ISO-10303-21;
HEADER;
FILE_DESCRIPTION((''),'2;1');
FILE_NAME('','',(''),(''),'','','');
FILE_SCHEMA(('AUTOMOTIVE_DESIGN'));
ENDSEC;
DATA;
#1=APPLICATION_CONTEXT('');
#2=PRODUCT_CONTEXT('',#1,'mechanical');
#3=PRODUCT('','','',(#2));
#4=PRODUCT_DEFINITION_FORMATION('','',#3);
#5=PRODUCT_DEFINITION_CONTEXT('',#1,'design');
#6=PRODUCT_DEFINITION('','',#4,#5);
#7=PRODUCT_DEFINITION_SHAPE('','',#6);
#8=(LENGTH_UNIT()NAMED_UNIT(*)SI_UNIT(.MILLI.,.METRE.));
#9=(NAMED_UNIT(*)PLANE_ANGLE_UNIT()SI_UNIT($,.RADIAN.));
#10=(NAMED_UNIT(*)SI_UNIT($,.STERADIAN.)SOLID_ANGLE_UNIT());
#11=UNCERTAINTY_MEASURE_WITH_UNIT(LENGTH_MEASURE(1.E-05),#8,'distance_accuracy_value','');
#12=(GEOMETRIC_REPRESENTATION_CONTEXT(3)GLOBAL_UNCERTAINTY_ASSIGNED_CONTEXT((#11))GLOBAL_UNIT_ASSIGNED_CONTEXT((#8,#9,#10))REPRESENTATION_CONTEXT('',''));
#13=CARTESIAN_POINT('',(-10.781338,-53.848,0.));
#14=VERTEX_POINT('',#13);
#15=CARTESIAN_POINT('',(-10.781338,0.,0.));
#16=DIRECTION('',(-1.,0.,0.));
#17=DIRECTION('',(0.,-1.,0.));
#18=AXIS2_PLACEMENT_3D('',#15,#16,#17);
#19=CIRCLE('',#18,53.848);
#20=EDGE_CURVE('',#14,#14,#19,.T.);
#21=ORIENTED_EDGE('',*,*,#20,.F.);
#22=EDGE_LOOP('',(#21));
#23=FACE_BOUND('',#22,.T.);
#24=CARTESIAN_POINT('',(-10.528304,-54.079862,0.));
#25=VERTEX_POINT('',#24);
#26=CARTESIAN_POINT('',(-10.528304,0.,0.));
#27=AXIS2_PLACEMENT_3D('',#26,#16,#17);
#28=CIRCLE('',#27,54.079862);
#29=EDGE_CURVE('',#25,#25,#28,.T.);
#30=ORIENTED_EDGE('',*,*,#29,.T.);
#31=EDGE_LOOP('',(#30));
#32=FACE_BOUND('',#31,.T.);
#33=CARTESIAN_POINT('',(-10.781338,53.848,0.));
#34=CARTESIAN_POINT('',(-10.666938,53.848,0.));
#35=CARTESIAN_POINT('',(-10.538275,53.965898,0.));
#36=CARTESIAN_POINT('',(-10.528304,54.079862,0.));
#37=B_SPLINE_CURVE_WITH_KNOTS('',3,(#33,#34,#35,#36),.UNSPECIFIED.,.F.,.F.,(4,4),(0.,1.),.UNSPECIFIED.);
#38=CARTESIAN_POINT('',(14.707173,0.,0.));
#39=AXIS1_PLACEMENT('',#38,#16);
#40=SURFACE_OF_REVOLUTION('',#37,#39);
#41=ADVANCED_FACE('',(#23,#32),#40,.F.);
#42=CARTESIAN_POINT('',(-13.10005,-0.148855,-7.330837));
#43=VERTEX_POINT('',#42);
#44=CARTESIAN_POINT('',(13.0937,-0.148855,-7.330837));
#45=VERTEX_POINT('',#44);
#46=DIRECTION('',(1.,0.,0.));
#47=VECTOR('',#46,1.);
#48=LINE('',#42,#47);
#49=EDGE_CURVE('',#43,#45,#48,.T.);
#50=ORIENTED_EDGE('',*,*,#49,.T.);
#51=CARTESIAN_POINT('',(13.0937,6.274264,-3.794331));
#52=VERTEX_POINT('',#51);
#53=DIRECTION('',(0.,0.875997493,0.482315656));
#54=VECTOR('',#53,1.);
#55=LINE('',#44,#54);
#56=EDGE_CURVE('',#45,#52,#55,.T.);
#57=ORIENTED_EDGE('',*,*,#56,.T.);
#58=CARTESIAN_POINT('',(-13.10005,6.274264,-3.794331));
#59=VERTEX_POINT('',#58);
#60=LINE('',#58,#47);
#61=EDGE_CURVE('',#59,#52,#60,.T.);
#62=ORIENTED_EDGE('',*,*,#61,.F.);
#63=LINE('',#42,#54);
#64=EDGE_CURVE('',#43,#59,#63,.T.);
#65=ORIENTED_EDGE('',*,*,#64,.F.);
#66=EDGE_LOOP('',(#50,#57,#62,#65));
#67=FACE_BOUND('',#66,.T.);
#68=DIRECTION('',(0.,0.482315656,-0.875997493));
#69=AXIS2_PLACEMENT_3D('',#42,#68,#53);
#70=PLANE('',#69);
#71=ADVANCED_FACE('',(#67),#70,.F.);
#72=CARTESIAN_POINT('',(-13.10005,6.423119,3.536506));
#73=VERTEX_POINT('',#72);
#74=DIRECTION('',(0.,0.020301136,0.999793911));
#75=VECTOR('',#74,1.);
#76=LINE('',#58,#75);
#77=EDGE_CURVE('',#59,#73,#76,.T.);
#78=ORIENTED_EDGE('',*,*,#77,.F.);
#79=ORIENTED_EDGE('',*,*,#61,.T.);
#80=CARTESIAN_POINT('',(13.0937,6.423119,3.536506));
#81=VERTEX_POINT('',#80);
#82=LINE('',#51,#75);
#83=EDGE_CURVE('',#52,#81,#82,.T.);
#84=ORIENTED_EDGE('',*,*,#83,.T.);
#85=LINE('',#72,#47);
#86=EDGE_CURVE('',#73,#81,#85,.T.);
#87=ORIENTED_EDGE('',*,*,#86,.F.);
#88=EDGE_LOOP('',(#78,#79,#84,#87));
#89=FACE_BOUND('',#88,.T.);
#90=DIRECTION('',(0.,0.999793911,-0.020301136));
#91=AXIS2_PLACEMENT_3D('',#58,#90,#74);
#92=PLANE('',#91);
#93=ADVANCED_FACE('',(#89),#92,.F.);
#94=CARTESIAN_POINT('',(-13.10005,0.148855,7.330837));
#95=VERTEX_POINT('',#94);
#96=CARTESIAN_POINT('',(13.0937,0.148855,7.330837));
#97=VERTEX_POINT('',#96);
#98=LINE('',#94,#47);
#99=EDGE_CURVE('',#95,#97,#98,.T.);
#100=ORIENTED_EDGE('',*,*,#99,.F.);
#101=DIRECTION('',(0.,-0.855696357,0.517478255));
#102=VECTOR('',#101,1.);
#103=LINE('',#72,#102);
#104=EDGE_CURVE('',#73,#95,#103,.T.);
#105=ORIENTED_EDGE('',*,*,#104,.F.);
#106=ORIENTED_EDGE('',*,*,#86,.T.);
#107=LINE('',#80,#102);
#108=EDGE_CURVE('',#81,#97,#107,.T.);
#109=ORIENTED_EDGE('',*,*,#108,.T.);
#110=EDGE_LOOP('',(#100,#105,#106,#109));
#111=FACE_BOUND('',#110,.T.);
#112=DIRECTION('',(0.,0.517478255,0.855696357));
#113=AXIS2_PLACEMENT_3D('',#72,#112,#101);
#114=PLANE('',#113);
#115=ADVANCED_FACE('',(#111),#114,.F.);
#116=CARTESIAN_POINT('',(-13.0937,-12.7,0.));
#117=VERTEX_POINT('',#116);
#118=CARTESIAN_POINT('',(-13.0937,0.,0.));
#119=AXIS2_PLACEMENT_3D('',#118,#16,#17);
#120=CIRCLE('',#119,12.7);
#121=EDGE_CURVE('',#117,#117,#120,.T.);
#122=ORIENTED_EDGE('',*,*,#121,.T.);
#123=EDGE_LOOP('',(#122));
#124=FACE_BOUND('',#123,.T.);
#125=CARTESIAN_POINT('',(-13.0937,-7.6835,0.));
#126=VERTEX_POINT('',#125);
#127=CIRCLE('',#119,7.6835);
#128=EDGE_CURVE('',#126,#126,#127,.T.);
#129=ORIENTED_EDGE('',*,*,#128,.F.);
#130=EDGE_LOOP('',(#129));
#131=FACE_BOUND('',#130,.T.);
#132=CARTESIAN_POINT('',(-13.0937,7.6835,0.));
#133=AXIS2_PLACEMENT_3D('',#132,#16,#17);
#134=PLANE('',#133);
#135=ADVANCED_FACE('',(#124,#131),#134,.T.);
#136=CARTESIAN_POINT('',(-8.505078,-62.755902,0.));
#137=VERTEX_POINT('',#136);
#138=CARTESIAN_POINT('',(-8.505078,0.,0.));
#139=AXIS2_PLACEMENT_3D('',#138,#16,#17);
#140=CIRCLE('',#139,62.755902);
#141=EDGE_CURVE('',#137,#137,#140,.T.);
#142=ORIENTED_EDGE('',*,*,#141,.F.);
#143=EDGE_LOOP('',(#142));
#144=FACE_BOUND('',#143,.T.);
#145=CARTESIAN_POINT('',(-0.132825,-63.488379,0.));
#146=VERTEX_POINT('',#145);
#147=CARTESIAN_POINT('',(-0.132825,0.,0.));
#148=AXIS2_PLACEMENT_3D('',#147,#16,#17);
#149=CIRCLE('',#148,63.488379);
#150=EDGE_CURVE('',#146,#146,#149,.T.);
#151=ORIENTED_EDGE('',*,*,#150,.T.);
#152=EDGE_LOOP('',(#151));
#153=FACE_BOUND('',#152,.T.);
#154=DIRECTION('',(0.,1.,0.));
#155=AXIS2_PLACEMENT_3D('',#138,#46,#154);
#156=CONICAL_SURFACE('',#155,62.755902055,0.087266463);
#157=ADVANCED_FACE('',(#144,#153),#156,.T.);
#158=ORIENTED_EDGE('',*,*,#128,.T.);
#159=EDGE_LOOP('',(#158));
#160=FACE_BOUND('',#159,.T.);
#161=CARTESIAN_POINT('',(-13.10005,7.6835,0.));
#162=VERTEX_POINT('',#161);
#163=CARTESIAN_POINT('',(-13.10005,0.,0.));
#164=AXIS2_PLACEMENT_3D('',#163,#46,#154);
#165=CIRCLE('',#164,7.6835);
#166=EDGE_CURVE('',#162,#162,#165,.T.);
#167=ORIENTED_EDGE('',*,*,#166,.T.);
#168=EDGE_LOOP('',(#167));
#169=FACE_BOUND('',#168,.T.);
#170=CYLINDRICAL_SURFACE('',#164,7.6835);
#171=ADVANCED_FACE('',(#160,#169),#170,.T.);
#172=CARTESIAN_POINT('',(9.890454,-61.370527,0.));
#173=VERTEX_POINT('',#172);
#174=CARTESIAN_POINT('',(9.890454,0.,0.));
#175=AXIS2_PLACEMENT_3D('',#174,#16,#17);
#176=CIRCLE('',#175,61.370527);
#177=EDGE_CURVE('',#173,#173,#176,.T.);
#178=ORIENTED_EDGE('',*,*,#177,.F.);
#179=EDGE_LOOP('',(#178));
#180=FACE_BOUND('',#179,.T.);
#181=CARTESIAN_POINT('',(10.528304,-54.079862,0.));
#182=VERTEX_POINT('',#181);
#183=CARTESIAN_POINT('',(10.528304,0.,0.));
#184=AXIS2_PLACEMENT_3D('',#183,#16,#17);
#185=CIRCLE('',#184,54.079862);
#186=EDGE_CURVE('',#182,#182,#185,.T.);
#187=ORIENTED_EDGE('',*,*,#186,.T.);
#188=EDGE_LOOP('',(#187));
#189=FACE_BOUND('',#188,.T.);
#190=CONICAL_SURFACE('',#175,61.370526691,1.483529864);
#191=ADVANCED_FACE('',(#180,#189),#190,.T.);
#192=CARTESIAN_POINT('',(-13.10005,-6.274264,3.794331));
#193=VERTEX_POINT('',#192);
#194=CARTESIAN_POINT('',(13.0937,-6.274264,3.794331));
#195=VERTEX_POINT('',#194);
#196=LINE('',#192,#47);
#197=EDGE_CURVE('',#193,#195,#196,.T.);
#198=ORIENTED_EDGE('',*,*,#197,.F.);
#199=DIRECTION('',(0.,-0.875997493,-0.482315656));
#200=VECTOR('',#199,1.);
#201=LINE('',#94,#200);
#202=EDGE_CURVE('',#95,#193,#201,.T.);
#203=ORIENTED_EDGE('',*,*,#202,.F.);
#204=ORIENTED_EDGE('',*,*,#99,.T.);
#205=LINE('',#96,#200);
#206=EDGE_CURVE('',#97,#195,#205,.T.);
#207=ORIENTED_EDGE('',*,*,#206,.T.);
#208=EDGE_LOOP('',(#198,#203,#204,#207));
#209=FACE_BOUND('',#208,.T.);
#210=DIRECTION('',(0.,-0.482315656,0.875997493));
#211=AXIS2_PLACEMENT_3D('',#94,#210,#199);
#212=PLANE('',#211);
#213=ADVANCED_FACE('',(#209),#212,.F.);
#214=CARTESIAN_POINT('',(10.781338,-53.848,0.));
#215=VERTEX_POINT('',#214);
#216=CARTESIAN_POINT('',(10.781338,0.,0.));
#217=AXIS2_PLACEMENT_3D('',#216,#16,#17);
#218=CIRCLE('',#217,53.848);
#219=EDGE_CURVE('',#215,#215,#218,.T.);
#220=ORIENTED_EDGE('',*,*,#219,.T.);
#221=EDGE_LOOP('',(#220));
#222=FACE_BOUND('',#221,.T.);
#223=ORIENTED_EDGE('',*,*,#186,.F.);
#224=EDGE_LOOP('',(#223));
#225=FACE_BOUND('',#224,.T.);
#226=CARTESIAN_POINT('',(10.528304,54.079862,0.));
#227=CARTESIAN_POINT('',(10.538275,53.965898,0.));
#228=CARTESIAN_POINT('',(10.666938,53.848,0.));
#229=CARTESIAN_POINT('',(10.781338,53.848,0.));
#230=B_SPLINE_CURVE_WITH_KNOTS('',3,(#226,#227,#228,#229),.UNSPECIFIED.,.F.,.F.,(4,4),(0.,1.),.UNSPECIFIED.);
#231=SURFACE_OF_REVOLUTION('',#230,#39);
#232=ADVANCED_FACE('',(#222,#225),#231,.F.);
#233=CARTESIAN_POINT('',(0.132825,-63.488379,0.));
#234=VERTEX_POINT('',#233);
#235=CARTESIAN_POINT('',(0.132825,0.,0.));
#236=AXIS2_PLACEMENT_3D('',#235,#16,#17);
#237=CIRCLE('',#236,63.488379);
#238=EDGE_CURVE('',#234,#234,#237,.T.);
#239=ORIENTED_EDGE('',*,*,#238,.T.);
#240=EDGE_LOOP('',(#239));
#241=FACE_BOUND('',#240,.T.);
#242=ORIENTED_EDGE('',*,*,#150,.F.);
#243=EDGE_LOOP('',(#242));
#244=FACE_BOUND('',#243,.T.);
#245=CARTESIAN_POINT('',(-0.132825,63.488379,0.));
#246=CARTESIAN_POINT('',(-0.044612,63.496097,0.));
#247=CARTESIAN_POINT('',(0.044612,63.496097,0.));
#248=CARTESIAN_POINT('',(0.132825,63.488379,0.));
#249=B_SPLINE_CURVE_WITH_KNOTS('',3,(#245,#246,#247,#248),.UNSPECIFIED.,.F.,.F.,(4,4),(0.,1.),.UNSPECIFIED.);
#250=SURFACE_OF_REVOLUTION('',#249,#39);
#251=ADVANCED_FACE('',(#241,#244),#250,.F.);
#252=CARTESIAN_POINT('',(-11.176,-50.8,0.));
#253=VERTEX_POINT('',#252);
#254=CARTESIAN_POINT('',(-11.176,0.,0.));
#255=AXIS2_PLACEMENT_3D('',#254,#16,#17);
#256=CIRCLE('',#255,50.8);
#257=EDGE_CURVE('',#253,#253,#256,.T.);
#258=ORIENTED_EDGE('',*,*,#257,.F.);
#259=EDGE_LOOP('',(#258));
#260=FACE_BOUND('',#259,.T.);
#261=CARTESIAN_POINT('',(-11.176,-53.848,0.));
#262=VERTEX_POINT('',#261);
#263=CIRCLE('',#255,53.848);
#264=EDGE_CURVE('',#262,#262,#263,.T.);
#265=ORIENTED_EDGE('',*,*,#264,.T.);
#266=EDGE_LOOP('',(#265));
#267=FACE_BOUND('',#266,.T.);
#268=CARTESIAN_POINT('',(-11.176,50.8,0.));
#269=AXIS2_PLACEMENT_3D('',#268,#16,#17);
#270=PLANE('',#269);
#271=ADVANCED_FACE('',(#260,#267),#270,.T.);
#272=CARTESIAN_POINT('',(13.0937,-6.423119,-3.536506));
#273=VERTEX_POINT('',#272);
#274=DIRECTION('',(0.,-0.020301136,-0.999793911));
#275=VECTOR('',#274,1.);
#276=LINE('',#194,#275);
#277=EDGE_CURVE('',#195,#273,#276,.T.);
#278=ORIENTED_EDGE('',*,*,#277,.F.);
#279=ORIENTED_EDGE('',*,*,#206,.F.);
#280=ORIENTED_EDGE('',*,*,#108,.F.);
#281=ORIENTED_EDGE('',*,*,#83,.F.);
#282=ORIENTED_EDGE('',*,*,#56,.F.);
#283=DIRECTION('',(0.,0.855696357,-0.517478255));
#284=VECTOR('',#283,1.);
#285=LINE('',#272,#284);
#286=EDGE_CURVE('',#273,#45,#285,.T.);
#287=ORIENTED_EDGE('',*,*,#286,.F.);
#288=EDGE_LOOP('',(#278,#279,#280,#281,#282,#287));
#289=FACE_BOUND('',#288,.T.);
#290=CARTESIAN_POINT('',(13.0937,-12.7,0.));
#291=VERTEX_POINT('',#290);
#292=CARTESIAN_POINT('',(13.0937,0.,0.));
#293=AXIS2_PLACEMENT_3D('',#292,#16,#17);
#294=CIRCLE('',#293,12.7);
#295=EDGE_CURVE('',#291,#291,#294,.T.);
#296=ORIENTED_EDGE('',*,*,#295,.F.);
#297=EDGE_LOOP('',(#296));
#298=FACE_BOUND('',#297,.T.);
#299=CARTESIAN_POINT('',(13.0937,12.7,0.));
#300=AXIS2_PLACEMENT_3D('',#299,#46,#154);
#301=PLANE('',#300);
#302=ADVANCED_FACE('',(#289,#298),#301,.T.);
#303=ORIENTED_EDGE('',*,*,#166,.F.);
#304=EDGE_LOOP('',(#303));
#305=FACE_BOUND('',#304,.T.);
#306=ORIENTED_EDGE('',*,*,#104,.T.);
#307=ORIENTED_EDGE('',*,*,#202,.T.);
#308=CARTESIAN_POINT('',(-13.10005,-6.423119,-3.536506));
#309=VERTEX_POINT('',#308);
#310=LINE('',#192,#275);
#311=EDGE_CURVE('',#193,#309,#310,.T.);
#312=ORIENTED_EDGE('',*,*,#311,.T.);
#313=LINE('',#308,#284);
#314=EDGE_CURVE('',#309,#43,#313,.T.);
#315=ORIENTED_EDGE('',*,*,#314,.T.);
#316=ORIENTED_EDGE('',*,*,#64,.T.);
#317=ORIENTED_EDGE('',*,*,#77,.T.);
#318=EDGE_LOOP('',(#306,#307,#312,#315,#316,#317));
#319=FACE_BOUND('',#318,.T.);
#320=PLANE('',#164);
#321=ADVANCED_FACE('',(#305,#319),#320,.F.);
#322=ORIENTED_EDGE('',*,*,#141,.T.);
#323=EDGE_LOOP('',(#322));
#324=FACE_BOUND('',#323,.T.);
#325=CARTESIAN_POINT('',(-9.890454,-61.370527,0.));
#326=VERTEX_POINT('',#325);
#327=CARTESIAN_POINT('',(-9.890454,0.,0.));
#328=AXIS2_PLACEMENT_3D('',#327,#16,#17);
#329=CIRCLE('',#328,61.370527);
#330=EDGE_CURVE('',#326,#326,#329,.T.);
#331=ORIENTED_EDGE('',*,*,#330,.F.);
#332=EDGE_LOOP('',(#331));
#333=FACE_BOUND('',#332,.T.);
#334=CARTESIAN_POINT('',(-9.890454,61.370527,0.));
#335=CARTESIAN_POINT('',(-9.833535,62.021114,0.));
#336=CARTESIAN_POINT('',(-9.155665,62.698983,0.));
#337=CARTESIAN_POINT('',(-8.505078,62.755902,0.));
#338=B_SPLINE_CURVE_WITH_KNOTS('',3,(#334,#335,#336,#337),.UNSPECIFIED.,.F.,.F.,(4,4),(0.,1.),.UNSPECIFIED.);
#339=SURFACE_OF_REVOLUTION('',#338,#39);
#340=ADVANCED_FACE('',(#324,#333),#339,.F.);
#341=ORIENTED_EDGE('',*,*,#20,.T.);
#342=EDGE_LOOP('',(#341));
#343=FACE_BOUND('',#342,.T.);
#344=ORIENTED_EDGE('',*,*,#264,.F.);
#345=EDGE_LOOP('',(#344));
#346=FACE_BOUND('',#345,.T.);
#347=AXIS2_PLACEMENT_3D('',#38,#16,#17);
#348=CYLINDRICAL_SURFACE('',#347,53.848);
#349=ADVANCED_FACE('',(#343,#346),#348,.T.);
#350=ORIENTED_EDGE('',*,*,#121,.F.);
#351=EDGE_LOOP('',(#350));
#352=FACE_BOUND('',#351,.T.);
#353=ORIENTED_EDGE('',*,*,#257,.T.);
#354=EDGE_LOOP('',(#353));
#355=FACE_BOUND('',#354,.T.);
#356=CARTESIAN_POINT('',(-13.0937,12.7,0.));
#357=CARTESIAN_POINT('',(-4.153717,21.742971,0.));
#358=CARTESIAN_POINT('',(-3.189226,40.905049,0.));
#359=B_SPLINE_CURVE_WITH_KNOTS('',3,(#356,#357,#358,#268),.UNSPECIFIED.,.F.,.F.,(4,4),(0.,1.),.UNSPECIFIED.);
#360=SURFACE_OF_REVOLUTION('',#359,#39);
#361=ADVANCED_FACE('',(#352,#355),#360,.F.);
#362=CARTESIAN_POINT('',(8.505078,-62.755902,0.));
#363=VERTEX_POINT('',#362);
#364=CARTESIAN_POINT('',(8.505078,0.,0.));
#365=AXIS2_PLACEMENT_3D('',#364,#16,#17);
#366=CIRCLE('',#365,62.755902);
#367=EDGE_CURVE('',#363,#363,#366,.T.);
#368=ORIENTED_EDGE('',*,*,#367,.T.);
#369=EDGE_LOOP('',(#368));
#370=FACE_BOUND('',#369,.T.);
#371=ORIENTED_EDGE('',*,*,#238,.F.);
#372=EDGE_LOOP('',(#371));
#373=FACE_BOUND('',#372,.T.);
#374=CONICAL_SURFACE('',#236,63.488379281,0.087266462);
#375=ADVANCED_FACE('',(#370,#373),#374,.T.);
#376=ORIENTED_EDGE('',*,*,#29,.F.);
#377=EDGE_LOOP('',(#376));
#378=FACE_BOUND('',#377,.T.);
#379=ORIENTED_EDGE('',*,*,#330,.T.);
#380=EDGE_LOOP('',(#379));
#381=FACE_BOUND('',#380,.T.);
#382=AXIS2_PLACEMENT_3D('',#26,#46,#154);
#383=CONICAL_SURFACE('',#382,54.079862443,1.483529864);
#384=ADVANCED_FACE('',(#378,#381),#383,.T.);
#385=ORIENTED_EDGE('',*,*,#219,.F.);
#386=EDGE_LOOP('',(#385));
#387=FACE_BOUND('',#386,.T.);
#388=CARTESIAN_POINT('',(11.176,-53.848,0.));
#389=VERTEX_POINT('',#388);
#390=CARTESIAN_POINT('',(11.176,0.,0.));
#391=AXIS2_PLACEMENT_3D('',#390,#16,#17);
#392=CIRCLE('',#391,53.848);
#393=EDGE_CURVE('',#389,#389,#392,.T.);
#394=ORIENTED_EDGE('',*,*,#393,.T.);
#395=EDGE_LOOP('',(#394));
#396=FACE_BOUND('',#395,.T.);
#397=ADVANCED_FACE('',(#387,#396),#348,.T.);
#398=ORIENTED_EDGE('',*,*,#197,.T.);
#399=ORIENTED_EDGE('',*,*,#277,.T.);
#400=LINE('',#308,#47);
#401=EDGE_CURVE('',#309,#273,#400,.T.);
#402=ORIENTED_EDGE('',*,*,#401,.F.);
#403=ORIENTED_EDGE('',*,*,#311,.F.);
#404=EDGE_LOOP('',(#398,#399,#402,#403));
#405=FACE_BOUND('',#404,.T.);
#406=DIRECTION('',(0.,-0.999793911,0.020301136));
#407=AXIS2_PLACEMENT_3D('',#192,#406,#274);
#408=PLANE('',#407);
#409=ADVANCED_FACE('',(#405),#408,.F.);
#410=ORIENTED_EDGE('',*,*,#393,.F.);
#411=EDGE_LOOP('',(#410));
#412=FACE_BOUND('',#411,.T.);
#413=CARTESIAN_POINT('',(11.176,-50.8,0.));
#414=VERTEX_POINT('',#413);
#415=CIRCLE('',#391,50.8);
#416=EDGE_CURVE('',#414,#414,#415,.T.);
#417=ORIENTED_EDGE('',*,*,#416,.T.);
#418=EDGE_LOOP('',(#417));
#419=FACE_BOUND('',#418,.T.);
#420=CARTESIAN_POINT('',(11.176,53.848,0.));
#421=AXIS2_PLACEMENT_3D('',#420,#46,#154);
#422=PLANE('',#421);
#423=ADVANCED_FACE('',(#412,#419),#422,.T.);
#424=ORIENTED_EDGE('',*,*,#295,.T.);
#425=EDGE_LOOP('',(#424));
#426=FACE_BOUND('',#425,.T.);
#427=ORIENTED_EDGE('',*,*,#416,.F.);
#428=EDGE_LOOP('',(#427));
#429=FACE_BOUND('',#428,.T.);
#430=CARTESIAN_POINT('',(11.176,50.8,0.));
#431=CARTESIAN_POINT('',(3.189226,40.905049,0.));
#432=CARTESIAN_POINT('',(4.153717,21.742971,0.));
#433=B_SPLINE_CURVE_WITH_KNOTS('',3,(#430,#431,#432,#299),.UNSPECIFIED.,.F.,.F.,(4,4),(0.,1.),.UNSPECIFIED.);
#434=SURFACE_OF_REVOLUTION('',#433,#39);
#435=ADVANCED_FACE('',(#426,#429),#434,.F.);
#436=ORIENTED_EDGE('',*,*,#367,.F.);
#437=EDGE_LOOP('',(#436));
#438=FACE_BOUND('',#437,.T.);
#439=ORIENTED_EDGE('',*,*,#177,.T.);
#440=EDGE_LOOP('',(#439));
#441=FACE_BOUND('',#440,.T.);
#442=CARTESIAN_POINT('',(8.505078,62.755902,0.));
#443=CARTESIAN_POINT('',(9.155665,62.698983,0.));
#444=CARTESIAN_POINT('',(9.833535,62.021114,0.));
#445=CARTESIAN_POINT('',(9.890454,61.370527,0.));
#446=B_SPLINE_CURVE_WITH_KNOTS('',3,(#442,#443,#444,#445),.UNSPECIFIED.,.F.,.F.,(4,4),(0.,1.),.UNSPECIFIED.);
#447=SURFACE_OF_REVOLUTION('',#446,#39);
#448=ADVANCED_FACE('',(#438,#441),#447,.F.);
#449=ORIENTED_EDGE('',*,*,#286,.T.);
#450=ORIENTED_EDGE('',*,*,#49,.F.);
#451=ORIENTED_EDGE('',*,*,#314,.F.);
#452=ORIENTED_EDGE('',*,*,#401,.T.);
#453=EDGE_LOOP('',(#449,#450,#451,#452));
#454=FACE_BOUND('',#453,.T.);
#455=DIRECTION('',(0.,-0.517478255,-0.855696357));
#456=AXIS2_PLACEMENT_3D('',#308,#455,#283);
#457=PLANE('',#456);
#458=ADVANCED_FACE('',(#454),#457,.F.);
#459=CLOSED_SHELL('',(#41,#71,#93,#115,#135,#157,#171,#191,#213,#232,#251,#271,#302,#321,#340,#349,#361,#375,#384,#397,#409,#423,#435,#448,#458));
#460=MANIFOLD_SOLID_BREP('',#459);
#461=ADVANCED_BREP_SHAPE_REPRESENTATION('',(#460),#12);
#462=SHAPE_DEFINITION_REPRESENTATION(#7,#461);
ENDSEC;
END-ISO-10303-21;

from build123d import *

# Parameters (mm, degrees)
BOSS_EXTRUDE4_START = -26.19375
SKETCH2_R           = 7.683499998
BOSS_EXTRUDE4_DEPTH = 26.19375


with BuildPart() as part:
    # Sketch1 → Revolve1 (revolve)
    with BuildSketch(Plane(origin=(0, 0, 0), x_dir=(-1, 0, 0), z_dir=(0, 0, -1)), mode=Mode.PRIVATE) as revolve1_sk:
        with BuildLine():
            Line((-0.132825357, 63.488379281), (-8.505078341, 62.755902063))
            add(Edge.make_bspline(
                [(-9.890453705, 61.370526691), (-9.833534714, 62.02111377), (-9.155665405, 62.698983073), (-8.505078341, 62.755902063)],
                knots=[0, 0, 0, 0, 1, 1, 1, 1], degree=3))
            Line((-9.890453705, 61.370526691), (-10.528304174, 54.079862443))
            add(Edge.make_bspline(
                [(-10.528304174, 54.079862443), (-10.53827479, 53.96589783), (-10.666937682, 53.848000004), (-10.781337635, 53.848000004)],
                knots=[0, 0, 0, 0, 1, 1, 1, 1], degree=3))
            Line((-10.781337635, 53.848000004), (-11.176, 53.848000004))
            Line((-11.176, 53.848000004), (-11.176, 50.800000019))
            add(Edge.make_bspline(
                [(-11.176, 50.800000019), (-3.189225626, 40.905049069), (-4.153716896, 21.742970834), (-13.09370001, 12.700000013)],
                knots=[0, 0, 0, 0, 1, 1, 1, 1], degree=3))
            Line((-13.09370001, 12.700000013), (-13.09370001, 7.683499998))
            Line((-13.09370001, 7.683499998), (13.093700011, 7.683499998))
            Line((13.093700011, 7.683499998), (13.093700011, 12.700000006))
            add(Edge.make_bspline(
                [(13.093700011, 12.700000006), (4.153716897, 21.742970827), (3.189225626, 40.905049061), (11.176, 50.800000012)],
                knots=[0, 0, 0, 0, 1, 1, 1, 1], degree=3))
            Line((11.176, 50.800000012), (11.176, 53.848000004))
            Line((11.176, 53.848000004), (10.781337638, 53.848000004))
            add(Edge.make_bspline(
                [(10.781337638, 53.848000004), (10.666937685, 53.848000005), (10.538274794, 53.96589783), (10.528304179, 54.079862443)],
                knots=[0, 0, 0, 0, 1, 1, 1, 1], degree=3))
            Line((10.528304179, 54.079862443), (9.890453706, 61.370526682))
            add(Edge.make_bspline(
                [(8.505078343, 62.755902055), (9.155665407, 62.698983064), (9.833534715, 62.021113761), (9.890453706, 61.370526682)],
                knots=[0, 0, 0, 0, 1, 1, 1, 1], degree=3))
            Line((8.505078343, 62.755902055), (0.13282536, 63.488379281))
            add(Edge.make_bspline(
                [(-0.132825357, 63.488379281), (-0.044612079, 63.496096943), (0.044612082, 63.496096943), (0.13282536, 63.488379281)],
                knots=[0, 0, 0, 0, 1, 1, 1, 1], degree=3))
        make_face()
    revolve(revolve1_sk.sketch.rotate(Axis((14.707172977, 0, 0), (-1, 0, 0)), 180), axis=Axis((14.707172977, 0, 0), (-1, 0, 0)))

    # Sketch2 → Boss-Extrude4 (add)
    with BuildSketch(Plane(origin=(13.09370001, 0, 0), x_dir=(0, 0, -1), z_dir=(1, 0, 0)).offset(BOSS_EXTRUDE4_START)):
        with Locations(Location((0, 0, 0), (0, 0, 90))):
            Circle(SKETCH2_R)
        Polygon((7.3308373, -0.148855003), (3.794330864, 6.274263831), (-3.536506436, 6.423118835), (-7.3308373, 0.148855003), (-3.794330864, -6.274263831), (3.536506436, -6.423118835), align=None, mode=Mode.SUBTRACT)
    extrude(amount=BOSS_EXTRUDE4_DEPTH)


solid = part.part
